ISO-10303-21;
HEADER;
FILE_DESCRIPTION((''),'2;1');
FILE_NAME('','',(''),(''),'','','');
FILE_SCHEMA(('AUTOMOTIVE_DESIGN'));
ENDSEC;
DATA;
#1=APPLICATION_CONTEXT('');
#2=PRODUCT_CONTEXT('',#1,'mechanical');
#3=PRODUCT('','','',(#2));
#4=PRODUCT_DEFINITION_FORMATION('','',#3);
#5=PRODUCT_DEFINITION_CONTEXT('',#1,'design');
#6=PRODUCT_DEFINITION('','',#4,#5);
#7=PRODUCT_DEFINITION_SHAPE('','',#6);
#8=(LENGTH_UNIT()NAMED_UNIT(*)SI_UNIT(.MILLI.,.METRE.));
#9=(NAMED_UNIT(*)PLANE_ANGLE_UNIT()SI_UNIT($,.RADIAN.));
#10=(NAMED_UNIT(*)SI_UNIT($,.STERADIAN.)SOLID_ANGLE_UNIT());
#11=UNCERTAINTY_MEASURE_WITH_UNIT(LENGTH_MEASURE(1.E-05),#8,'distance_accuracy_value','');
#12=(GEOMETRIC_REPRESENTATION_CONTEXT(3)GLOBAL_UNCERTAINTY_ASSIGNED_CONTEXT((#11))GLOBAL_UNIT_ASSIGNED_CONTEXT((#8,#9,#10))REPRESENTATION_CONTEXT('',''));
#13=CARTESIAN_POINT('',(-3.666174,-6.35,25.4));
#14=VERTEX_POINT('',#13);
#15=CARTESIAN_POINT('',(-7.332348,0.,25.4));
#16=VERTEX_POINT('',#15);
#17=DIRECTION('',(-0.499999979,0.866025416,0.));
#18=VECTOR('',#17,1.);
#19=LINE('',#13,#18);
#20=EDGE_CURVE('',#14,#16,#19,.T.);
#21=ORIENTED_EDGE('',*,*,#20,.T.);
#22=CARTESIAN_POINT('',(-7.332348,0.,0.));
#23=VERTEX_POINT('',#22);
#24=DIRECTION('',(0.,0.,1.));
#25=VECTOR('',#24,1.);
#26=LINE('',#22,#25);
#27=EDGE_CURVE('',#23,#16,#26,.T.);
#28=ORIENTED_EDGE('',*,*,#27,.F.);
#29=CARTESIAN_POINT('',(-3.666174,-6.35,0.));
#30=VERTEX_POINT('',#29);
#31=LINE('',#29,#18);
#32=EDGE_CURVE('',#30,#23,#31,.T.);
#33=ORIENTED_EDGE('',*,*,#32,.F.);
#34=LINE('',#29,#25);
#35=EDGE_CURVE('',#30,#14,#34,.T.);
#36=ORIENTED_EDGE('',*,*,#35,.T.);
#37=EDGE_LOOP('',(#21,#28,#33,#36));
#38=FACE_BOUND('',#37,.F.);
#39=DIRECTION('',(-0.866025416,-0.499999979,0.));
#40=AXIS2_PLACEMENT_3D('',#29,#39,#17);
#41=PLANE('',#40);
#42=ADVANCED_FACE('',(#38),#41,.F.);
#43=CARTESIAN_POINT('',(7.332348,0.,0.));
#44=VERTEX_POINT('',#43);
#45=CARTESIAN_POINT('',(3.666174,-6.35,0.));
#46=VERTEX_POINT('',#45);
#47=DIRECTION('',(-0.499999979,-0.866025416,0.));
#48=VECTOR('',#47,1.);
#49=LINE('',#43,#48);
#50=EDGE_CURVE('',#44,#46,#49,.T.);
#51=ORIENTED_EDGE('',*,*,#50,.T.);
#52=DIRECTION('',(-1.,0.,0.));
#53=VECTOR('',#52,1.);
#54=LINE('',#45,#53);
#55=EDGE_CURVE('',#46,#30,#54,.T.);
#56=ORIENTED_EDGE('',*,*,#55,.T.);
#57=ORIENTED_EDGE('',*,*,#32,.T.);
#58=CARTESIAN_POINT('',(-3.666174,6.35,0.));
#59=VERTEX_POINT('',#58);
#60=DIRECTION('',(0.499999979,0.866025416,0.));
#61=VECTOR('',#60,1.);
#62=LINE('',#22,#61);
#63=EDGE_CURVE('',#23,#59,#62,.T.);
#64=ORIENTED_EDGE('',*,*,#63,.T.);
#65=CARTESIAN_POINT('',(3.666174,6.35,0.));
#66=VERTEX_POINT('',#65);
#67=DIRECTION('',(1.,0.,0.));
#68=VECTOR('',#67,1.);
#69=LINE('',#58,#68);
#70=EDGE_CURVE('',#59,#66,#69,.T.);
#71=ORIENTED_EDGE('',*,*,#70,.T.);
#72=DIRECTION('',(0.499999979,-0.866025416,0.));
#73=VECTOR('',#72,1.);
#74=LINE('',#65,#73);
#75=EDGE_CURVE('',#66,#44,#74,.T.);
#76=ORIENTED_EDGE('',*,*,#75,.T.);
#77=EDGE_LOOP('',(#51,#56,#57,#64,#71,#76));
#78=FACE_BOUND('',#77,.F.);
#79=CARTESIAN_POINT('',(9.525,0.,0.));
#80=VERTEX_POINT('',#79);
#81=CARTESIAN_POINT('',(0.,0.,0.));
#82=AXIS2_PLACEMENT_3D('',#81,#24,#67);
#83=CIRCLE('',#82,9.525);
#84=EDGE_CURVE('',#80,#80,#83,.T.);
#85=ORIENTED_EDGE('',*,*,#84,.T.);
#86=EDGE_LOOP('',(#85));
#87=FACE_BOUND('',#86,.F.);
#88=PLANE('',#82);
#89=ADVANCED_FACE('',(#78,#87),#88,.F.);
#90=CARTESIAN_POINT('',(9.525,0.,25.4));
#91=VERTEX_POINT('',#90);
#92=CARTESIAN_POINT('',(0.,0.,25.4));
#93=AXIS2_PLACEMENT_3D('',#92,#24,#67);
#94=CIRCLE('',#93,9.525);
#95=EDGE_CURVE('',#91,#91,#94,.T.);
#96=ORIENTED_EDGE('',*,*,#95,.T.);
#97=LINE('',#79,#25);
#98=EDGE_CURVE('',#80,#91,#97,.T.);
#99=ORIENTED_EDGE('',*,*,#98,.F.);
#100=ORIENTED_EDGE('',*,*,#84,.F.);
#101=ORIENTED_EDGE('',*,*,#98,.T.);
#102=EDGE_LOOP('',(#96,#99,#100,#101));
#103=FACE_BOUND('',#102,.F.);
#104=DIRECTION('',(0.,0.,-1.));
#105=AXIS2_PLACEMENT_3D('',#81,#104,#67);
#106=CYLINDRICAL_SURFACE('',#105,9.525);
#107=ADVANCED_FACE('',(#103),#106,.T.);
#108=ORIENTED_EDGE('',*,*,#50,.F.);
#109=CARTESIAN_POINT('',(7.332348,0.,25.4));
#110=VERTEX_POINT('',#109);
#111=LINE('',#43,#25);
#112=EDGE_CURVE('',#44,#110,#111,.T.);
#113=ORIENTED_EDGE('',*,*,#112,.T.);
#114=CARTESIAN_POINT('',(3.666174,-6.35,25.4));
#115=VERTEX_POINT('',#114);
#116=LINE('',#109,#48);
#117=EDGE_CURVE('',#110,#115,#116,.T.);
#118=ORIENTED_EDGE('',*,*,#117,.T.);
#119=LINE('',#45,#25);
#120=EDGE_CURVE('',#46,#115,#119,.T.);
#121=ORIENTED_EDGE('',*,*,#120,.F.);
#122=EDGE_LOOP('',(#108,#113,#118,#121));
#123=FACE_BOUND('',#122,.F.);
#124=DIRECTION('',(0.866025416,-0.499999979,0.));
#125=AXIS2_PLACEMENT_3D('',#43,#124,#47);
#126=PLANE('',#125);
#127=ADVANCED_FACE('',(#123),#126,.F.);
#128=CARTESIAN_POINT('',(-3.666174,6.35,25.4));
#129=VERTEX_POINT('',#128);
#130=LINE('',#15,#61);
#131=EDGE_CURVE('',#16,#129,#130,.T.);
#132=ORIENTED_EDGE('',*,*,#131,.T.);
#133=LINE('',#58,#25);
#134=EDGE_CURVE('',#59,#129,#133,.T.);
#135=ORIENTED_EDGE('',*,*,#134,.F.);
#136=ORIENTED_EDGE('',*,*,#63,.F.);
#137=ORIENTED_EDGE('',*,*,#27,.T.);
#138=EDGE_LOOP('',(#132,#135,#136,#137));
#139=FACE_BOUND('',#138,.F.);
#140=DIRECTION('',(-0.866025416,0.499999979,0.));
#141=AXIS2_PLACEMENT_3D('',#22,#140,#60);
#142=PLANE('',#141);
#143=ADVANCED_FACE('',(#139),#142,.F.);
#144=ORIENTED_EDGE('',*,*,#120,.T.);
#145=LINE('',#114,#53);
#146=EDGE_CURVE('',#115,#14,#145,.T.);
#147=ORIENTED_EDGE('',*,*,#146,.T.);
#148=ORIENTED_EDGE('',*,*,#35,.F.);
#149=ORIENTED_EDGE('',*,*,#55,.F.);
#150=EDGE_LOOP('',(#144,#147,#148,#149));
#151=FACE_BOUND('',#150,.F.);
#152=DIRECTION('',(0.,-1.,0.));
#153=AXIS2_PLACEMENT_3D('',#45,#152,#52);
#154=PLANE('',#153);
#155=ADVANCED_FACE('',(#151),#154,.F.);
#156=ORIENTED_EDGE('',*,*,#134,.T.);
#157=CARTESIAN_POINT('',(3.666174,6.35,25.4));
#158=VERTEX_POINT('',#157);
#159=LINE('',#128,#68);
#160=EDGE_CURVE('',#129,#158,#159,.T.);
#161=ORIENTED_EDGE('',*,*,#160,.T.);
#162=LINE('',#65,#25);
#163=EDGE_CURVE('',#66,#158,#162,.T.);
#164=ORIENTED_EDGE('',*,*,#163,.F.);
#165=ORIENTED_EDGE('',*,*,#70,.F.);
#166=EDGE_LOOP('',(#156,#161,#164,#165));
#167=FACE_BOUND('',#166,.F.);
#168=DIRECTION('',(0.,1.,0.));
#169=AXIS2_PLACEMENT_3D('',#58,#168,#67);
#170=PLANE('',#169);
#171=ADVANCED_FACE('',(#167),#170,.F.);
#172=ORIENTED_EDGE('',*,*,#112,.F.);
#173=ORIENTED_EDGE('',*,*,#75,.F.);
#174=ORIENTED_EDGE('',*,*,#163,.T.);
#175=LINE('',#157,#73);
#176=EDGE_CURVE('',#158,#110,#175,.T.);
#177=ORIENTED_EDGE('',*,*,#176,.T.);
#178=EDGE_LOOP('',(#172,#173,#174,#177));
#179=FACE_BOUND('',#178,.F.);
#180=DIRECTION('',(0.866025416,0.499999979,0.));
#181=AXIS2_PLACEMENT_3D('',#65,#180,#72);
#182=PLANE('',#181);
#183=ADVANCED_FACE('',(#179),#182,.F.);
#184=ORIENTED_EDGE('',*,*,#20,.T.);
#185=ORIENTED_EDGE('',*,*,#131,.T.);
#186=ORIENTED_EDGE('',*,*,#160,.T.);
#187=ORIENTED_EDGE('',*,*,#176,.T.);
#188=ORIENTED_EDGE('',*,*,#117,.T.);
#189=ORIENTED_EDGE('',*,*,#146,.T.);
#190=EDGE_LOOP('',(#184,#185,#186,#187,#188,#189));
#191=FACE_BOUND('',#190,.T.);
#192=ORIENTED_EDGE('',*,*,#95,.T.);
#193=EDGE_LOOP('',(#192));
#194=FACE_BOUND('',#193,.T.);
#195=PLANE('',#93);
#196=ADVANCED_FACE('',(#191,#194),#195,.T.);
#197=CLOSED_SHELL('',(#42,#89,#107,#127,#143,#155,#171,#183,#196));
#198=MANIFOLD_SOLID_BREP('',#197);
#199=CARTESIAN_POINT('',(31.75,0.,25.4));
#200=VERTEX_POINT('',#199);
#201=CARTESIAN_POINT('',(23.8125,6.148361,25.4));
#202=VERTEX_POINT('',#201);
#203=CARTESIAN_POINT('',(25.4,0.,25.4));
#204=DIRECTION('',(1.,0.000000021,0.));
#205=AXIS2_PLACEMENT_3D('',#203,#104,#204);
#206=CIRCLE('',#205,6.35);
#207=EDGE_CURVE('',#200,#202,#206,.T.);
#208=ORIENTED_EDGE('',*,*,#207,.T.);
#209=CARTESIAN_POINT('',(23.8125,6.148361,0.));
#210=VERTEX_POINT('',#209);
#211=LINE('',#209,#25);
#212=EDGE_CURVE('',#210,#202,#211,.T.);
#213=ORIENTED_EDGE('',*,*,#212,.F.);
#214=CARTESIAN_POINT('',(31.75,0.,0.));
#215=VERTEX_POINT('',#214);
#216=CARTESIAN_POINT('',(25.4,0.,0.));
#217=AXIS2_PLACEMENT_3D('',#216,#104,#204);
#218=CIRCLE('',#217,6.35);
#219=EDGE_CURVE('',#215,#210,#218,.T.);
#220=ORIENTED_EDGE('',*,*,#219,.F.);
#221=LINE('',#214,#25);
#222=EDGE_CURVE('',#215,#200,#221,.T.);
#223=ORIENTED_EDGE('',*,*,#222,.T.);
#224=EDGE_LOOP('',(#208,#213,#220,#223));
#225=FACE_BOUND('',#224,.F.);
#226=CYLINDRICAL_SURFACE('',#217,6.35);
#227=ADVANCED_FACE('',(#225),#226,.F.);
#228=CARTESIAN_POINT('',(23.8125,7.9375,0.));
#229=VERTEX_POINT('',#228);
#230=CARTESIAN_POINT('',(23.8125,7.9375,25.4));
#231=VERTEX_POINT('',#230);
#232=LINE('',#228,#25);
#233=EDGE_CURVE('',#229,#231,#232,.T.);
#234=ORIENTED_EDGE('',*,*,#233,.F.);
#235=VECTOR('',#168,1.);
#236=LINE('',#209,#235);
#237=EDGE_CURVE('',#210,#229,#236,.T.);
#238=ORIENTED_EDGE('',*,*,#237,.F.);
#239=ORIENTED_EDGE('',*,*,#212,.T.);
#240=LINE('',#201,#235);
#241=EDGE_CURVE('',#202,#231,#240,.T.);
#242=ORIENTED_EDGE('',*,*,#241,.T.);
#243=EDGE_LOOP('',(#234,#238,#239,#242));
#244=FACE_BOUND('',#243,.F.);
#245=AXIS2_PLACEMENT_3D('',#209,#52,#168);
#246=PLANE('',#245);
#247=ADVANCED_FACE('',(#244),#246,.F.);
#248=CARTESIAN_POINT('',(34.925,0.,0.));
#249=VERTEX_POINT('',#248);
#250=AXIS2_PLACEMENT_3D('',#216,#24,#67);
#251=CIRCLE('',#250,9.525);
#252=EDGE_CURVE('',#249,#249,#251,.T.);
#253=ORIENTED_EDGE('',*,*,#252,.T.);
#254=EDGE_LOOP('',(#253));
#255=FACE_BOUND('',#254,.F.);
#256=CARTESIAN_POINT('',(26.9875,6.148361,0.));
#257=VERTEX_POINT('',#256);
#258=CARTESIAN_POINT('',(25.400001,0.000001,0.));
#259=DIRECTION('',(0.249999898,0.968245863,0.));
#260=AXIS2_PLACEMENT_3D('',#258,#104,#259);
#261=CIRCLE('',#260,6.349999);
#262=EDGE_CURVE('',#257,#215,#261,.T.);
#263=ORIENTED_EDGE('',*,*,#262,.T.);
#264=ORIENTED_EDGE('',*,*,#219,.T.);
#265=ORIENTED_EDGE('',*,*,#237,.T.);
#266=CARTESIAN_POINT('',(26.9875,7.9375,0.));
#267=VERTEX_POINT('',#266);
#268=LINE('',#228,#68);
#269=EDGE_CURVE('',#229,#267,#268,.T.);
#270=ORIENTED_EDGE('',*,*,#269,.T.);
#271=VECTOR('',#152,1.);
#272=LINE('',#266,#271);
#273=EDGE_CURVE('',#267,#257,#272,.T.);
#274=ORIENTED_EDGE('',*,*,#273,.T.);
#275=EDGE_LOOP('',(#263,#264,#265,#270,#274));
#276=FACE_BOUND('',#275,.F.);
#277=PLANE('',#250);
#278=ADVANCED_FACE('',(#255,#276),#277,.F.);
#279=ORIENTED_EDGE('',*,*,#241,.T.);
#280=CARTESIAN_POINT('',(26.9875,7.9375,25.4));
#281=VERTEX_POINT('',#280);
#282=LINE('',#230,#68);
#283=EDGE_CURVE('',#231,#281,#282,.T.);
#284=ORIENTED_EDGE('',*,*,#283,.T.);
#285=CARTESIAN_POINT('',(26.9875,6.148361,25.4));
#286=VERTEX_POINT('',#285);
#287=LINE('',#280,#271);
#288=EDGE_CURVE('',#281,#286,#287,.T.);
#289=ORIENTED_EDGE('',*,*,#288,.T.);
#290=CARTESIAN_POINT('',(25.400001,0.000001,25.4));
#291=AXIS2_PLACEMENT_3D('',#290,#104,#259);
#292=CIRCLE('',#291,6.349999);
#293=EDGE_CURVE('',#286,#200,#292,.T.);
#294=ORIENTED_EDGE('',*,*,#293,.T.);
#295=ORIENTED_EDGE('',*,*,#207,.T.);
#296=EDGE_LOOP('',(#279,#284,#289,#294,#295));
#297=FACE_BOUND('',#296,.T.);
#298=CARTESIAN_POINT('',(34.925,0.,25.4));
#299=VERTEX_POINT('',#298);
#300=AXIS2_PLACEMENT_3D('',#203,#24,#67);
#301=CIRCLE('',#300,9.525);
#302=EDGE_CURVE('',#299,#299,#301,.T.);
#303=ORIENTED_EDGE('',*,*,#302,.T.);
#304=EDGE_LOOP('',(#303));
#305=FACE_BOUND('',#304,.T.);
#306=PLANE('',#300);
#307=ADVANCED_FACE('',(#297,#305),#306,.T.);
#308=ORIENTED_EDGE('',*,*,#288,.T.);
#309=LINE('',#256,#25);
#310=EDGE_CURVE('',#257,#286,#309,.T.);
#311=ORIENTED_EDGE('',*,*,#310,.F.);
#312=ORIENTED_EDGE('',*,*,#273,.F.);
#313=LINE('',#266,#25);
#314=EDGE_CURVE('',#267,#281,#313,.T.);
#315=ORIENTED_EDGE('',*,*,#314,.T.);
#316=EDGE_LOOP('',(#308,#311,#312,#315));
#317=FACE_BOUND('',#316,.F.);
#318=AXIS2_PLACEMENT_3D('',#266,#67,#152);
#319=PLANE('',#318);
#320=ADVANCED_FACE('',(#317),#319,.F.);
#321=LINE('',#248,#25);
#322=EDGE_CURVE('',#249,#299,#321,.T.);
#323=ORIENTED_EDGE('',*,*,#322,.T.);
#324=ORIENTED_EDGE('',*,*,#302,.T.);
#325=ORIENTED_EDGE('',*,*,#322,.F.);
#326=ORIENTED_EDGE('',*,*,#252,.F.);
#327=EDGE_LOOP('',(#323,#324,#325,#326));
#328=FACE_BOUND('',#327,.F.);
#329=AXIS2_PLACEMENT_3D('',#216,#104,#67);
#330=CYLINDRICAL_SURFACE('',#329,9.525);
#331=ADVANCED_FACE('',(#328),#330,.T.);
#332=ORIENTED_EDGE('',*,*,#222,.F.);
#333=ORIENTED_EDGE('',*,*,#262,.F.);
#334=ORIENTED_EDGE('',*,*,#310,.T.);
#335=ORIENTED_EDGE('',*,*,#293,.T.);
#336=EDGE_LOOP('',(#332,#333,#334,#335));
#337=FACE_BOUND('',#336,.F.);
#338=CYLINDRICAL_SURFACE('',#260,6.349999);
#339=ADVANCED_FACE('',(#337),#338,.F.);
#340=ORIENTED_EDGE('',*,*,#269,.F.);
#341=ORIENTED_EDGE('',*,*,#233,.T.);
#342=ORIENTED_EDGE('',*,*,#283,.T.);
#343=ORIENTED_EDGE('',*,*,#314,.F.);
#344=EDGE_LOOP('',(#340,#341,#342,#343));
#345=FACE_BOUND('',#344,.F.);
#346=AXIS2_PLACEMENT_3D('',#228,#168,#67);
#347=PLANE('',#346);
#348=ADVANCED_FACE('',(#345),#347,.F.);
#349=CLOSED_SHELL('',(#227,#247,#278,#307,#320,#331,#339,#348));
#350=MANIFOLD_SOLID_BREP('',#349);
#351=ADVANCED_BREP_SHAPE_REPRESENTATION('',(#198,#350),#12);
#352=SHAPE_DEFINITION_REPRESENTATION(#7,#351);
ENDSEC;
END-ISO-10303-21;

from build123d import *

# Parameters (mm, degrees)
F0_R     = 9.525
F1_DEPTH = 25.4


with BuildPart() as f1:
    # F0 (on Top) → F1 (new body)
    with BuildSketch(Plane.XY):
        with Locations((25.4, 0)):
            Circle(F0_R)
        with BuildLine():
            ThreePointArc((26.9875, 6.148361), (30.420116, 3.888565), (31.75, 0))
            ThreePointArc((31.75, 0), (21.511435, -5.020116), (23.8125, 6.148361))
            Line((23.8125, 6.148361), (23.8125, 7.9375))
            Line((23.8125, 7.9375), (26.9875, 7.9375))
            Line((26.9875, 7.9375), (26.9875, 6.148361))
        make_face(mode=Mode.SUBTRACT)
        Circle(F0_R)
        Polygon((3.666174, 6.35), (7.332348, 0), (3.666174, -6.35), (-3.666174, -6.35), (-7.332348, 0), (-3.666174, 6.35), align=None, mode=Mode.SUBTRACT)
    extrude(amount=F1_DEPTH)


solid = f1.part
